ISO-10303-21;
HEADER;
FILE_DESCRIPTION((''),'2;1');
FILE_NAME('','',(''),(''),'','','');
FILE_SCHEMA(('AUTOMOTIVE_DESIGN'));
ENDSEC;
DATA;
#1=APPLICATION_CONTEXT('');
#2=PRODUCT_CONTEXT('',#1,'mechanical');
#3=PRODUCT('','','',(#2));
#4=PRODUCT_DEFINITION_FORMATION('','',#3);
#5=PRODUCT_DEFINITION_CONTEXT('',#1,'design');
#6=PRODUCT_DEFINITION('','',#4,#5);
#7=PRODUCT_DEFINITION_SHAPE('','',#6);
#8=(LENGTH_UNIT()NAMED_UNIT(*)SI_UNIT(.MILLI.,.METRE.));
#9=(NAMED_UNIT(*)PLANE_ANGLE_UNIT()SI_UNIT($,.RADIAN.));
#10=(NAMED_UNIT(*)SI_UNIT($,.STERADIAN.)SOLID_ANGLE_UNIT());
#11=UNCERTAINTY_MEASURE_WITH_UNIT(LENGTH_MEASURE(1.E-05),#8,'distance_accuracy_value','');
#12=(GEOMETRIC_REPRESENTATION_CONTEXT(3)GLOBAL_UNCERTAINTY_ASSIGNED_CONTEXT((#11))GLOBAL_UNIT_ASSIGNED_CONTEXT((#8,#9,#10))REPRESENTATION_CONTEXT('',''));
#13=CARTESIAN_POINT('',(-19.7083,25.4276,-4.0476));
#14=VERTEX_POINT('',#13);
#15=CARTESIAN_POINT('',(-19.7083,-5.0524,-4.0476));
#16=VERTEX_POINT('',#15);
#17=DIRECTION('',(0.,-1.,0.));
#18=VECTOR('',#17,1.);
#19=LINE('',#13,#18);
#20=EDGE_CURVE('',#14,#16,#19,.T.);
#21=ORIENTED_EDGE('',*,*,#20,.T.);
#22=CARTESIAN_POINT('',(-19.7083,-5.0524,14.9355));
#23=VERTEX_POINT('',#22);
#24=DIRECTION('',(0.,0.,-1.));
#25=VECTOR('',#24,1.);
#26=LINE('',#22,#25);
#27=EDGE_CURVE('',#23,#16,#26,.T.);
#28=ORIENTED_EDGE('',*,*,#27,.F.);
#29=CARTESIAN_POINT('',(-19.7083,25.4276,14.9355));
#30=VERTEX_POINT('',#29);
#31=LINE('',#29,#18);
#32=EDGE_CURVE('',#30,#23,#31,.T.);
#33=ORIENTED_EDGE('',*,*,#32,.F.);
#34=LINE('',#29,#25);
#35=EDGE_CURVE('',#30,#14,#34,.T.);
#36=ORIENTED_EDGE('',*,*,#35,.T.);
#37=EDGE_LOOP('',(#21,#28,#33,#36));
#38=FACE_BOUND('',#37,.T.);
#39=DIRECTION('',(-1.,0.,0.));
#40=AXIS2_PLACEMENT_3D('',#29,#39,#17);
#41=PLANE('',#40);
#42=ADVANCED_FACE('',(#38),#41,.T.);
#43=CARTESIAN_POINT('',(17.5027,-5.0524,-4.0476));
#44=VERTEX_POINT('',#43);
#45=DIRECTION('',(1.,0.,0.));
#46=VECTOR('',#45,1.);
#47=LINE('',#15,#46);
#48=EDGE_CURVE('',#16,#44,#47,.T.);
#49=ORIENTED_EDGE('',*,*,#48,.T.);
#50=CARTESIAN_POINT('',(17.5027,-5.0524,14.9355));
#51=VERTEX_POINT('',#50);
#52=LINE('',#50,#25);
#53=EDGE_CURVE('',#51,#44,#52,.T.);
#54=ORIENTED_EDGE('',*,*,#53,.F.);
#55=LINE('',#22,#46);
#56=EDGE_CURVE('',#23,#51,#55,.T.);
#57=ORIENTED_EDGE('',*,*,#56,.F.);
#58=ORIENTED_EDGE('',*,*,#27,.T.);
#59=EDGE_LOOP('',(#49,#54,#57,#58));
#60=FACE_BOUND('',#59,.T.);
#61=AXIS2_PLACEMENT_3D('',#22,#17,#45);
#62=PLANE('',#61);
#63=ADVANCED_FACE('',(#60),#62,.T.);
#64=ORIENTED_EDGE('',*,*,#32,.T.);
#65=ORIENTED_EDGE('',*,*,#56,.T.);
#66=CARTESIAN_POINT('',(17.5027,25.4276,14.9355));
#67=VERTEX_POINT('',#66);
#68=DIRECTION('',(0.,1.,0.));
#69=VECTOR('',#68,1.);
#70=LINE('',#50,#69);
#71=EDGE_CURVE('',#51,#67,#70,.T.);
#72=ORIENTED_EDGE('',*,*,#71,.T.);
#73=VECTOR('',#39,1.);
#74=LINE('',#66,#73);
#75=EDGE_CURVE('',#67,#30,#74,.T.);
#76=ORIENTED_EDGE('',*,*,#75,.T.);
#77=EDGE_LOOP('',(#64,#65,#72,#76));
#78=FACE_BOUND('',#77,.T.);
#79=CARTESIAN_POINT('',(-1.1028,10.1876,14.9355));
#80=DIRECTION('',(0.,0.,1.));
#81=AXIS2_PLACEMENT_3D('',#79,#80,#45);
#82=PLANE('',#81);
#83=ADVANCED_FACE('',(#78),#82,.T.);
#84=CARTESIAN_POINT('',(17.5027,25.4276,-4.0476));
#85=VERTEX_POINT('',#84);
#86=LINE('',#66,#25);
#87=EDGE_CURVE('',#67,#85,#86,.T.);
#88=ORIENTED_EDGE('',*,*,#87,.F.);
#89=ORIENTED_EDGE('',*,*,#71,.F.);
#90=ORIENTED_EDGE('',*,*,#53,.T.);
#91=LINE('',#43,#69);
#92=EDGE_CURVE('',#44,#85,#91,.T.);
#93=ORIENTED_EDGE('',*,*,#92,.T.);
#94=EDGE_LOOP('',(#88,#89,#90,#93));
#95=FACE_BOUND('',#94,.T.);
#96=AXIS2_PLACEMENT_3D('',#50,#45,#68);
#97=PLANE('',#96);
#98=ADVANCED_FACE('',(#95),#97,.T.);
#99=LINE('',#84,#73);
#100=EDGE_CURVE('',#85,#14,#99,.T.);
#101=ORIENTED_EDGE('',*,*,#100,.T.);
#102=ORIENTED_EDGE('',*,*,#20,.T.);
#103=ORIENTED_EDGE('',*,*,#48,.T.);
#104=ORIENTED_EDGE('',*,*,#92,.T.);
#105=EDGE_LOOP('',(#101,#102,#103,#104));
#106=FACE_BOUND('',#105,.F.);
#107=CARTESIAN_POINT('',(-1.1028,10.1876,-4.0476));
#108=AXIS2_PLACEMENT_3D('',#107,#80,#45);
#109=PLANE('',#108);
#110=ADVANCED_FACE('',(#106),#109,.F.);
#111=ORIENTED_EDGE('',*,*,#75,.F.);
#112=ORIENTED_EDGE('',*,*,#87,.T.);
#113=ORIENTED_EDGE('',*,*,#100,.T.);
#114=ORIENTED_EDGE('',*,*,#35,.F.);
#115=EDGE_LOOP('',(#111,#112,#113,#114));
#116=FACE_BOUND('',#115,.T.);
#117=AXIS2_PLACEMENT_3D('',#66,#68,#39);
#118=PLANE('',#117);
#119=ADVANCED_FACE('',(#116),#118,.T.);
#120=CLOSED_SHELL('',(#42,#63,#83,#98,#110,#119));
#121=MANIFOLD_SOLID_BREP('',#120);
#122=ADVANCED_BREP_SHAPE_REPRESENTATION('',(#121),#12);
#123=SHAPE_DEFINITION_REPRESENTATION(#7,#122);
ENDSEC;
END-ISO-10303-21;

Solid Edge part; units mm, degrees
sketch "Sketch1" plane through (-1.1028, 6.0601, 14.9355) normal (0, 0, 1) x (1, 0, 0)
  line L0 (-18.6055, -11.1125) -> (18.6055, -11.1125)
  line L1 (18.6055, -11.1125) -> (18.6055, 19.3675)
  line L2 (18.6055, 19.3675) -> (-18.6055, 19.3675)
  line L3 (-18.6055, 19.3675) -> (-18.6055, -11.1125)
extrude "ProtrusiónExtruida_1" add sketch "Sketch1" against normal blind 18.9831
properties material "PVC"
